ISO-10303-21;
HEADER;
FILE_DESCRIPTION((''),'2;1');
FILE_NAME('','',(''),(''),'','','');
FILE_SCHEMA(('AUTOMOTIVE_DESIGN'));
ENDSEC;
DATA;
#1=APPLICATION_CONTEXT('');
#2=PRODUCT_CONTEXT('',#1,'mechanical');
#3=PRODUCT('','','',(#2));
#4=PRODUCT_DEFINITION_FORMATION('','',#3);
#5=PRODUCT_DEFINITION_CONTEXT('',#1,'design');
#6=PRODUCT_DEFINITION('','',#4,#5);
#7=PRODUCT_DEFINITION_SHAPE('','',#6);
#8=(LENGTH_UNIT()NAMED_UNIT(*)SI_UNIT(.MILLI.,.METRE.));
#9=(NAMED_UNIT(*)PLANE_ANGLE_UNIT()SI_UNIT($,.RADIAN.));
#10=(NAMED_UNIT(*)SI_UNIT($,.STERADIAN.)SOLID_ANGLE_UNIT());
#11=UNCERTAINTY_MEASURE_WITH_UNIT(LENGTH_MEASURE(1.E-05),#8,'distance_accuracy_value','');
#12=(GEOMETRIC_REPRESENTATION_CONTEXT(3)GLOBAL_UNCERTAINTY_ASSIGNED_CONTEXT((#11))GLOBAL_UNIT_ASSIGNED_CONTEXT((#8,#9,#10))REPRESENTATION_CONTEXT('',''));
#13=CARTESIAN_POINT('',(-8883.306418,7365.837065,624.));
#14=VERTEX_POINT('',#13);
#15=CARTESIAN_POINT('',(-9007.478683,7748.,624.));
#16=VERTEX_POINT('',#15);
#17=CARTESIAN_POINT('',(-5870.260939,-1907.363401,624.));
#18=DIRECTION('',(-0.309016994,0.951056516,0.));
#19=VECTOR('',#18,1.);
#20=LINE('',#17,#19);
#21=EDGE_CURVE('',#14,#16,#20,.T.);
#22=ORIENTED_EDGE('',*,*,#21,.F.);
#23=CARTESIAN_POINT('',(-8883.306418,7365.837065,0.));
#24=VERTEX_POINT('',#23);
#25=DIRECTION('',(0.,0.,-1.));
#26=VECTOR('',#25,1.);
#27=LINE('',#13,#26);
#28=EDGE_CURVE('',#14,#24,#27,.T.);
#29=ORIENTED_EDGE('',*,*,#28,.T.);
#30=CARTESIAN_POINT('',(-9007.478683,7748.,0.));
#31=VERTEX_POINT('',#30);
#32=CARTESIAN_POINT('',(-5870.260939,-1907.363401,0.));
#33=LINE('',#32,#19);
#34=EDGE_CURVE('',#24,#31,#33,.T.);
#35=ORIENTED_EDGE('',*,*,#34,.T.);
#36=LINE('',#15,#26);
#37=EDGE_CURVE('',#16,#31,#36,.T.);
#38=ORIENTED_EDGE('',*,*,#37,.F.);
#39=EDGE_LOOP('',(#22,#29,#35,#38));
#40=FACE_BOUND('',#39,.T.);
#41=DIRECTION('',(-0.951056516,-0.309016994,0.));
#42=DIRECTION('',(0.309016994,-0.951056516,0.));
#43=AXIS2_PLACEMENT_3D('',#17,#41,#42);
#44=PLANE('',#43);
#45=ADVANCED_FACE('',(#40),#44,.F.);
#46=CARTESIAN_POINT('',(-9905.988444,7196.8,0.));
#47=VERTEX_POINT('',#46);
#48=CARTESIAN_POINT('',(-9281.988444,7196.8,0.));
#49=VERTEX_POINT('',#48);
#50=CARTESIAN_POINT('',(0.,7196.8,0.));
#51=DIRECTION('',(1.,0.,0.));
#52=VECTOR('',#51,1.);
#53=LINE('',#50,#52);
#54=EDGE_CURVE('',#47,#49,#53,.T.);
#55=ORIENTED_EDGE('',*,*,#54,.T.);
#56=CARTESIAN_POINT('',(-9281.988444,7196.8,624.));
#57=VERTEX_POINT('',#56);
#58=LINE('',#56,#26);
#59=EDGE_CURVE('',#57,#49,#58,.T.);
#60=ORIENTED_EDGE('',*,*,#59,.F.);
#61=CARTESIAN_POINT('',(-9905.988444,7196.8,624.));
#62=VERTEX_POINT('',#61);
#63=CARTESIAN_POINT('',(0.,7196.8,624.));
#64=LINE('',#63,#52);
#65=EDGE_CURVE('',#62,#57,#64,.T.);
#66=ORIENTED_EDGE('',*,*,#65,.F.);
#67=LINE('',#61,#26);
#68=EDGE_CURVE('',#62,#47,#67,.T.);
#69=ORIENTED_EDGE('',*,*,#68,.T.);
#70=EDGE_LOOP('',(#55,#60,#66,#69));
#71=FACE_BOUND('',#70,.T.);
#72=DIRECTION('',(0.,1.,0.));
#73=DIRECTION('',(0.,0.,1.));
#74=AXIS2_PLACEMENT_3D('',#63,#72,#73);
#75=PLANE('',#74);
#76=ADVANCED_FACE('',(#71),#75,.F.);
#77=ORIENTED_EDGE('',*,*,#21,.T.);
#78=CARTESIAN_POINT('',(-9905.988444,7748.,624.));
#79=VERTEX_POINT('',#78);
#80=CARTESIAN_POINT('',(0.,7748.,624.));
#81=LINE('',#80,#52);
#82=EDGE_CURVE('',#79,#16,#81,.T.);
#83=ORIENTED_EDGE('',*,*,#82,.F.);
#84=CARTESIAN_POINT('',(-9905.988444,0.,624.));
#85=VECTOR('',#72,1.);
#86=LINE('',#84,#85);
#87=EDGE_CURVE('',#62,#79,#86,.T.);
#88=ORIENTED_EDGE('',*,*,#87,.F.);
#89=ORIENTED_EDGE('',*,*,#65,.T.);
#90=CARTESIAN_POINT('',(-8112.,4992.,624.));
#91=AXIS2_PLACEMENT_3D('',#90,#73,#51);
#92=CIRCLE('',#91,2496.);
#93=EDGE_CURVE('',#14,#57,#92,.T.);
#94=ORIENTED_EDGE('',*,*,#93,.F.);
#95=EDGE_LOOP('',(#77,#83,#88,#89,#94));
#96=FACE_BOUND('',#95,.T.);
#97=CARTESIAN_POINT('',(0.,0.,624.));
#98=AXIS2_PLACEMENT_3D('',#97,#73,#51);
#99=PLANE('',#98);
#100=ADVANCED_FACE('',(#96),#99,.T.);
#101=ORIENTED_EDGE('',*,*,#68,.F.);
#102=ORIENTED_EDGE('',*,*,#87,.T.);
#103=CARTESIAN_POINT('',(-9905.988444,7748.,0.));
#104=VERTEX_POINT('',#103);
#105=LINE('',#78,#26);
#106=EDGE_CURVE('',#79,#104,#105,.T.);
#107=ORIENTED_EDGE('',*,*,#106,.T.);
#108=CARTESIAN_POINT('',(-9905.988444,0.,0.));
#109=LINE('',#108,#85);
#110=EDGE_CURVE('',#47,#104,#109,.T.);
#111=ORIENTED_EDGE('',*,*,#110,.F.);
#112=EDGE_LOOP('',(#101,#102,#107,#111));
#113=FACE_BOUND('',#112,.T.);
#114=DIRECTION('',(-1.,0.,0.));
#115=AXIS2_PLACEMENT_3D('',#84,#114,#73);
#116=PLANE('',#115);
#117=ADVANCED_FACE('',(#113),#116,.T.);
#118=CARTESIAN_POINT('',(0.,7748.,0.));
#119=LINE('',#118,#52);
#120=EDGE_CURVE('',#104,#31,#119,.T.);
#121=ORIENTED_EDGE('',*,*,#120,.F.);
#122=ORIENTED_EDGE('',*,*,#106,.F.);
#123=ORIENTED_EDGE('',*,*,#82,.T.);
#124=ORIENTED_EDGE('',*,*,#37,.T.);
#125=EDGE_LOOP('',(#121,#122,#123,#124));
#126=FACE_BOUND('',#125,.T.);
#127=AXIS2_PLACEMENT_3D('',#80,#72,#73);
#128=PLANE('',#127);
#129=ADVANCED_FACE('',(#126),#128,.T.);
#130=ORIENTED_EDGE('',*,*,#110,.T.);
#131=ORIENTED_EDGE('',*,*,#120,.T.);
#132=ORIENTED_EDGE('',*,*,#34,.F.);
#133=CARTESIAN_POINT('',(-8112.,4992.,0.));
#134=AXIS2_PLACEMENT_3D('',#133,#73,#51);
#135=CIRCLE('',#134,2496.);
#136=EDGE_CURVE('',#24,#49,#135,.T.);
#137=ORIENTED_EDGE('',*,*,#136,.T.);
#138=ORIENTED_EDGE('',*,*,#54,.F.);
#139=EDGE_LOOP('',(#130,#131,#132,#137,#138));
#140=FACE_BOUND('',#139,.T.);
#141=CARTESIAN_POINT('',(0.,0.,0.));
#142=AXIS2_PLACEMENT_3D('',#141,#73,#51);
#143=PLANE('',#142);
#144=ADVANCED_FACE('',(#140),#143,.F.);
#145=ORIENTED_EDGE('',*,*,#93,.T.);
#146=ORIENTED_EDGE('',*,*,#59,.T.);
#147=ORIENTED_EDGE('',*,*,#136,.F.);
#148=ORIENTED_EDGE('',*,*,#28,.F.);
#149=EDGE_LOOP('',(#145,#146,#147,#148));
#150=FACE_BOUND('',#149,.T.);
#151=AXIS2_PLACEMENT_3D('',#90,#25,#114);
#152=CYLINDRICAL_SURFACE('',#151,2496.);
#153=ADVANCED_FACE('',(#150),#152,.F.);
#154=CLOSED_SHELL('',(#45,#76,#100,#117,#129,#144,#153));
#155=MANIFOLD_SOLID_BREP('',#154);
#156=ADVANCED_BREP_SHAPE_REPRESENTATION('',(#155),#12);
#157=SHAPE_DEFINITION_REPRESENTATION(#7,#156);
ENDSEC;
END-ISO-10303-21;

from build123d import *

# Parameters (mm, degrees)
EXTRUDE_1_DEPTH = 480
SCALE_1_SCALE   = 1.3


with BuildPart() as part:
    # 草图1 → 凸台-拉伸1 (new body)
    with BuildSketch(Plane.XY):
        with BuildLine():
            Line((-7619.991111067, 5536), (-7139.991111067, 5536))
            ThreePointArc((-7139.991111067, 5536), (-6989.477063432, 5607.677609574), (-6833.3126292, 5666.028511287))
            Line((-6833.3126292, 5666.028511287), (-6928.829756014, 5960))
            Line((-6928.829756014, 5960), (-7619.991111067, 5960))
            Line((-7619.991111067, 5960), (-7619.991111067, 5536))
        make_face()
    extrude(amount=EXTRUDE_1_DEPTH)


with BuildPart() as part_1:
    # 缩放比例1: scaled about (0, 0, 0)
    add(part.part.scale(SCALE_1_SCALE))


solid = part_1.part
